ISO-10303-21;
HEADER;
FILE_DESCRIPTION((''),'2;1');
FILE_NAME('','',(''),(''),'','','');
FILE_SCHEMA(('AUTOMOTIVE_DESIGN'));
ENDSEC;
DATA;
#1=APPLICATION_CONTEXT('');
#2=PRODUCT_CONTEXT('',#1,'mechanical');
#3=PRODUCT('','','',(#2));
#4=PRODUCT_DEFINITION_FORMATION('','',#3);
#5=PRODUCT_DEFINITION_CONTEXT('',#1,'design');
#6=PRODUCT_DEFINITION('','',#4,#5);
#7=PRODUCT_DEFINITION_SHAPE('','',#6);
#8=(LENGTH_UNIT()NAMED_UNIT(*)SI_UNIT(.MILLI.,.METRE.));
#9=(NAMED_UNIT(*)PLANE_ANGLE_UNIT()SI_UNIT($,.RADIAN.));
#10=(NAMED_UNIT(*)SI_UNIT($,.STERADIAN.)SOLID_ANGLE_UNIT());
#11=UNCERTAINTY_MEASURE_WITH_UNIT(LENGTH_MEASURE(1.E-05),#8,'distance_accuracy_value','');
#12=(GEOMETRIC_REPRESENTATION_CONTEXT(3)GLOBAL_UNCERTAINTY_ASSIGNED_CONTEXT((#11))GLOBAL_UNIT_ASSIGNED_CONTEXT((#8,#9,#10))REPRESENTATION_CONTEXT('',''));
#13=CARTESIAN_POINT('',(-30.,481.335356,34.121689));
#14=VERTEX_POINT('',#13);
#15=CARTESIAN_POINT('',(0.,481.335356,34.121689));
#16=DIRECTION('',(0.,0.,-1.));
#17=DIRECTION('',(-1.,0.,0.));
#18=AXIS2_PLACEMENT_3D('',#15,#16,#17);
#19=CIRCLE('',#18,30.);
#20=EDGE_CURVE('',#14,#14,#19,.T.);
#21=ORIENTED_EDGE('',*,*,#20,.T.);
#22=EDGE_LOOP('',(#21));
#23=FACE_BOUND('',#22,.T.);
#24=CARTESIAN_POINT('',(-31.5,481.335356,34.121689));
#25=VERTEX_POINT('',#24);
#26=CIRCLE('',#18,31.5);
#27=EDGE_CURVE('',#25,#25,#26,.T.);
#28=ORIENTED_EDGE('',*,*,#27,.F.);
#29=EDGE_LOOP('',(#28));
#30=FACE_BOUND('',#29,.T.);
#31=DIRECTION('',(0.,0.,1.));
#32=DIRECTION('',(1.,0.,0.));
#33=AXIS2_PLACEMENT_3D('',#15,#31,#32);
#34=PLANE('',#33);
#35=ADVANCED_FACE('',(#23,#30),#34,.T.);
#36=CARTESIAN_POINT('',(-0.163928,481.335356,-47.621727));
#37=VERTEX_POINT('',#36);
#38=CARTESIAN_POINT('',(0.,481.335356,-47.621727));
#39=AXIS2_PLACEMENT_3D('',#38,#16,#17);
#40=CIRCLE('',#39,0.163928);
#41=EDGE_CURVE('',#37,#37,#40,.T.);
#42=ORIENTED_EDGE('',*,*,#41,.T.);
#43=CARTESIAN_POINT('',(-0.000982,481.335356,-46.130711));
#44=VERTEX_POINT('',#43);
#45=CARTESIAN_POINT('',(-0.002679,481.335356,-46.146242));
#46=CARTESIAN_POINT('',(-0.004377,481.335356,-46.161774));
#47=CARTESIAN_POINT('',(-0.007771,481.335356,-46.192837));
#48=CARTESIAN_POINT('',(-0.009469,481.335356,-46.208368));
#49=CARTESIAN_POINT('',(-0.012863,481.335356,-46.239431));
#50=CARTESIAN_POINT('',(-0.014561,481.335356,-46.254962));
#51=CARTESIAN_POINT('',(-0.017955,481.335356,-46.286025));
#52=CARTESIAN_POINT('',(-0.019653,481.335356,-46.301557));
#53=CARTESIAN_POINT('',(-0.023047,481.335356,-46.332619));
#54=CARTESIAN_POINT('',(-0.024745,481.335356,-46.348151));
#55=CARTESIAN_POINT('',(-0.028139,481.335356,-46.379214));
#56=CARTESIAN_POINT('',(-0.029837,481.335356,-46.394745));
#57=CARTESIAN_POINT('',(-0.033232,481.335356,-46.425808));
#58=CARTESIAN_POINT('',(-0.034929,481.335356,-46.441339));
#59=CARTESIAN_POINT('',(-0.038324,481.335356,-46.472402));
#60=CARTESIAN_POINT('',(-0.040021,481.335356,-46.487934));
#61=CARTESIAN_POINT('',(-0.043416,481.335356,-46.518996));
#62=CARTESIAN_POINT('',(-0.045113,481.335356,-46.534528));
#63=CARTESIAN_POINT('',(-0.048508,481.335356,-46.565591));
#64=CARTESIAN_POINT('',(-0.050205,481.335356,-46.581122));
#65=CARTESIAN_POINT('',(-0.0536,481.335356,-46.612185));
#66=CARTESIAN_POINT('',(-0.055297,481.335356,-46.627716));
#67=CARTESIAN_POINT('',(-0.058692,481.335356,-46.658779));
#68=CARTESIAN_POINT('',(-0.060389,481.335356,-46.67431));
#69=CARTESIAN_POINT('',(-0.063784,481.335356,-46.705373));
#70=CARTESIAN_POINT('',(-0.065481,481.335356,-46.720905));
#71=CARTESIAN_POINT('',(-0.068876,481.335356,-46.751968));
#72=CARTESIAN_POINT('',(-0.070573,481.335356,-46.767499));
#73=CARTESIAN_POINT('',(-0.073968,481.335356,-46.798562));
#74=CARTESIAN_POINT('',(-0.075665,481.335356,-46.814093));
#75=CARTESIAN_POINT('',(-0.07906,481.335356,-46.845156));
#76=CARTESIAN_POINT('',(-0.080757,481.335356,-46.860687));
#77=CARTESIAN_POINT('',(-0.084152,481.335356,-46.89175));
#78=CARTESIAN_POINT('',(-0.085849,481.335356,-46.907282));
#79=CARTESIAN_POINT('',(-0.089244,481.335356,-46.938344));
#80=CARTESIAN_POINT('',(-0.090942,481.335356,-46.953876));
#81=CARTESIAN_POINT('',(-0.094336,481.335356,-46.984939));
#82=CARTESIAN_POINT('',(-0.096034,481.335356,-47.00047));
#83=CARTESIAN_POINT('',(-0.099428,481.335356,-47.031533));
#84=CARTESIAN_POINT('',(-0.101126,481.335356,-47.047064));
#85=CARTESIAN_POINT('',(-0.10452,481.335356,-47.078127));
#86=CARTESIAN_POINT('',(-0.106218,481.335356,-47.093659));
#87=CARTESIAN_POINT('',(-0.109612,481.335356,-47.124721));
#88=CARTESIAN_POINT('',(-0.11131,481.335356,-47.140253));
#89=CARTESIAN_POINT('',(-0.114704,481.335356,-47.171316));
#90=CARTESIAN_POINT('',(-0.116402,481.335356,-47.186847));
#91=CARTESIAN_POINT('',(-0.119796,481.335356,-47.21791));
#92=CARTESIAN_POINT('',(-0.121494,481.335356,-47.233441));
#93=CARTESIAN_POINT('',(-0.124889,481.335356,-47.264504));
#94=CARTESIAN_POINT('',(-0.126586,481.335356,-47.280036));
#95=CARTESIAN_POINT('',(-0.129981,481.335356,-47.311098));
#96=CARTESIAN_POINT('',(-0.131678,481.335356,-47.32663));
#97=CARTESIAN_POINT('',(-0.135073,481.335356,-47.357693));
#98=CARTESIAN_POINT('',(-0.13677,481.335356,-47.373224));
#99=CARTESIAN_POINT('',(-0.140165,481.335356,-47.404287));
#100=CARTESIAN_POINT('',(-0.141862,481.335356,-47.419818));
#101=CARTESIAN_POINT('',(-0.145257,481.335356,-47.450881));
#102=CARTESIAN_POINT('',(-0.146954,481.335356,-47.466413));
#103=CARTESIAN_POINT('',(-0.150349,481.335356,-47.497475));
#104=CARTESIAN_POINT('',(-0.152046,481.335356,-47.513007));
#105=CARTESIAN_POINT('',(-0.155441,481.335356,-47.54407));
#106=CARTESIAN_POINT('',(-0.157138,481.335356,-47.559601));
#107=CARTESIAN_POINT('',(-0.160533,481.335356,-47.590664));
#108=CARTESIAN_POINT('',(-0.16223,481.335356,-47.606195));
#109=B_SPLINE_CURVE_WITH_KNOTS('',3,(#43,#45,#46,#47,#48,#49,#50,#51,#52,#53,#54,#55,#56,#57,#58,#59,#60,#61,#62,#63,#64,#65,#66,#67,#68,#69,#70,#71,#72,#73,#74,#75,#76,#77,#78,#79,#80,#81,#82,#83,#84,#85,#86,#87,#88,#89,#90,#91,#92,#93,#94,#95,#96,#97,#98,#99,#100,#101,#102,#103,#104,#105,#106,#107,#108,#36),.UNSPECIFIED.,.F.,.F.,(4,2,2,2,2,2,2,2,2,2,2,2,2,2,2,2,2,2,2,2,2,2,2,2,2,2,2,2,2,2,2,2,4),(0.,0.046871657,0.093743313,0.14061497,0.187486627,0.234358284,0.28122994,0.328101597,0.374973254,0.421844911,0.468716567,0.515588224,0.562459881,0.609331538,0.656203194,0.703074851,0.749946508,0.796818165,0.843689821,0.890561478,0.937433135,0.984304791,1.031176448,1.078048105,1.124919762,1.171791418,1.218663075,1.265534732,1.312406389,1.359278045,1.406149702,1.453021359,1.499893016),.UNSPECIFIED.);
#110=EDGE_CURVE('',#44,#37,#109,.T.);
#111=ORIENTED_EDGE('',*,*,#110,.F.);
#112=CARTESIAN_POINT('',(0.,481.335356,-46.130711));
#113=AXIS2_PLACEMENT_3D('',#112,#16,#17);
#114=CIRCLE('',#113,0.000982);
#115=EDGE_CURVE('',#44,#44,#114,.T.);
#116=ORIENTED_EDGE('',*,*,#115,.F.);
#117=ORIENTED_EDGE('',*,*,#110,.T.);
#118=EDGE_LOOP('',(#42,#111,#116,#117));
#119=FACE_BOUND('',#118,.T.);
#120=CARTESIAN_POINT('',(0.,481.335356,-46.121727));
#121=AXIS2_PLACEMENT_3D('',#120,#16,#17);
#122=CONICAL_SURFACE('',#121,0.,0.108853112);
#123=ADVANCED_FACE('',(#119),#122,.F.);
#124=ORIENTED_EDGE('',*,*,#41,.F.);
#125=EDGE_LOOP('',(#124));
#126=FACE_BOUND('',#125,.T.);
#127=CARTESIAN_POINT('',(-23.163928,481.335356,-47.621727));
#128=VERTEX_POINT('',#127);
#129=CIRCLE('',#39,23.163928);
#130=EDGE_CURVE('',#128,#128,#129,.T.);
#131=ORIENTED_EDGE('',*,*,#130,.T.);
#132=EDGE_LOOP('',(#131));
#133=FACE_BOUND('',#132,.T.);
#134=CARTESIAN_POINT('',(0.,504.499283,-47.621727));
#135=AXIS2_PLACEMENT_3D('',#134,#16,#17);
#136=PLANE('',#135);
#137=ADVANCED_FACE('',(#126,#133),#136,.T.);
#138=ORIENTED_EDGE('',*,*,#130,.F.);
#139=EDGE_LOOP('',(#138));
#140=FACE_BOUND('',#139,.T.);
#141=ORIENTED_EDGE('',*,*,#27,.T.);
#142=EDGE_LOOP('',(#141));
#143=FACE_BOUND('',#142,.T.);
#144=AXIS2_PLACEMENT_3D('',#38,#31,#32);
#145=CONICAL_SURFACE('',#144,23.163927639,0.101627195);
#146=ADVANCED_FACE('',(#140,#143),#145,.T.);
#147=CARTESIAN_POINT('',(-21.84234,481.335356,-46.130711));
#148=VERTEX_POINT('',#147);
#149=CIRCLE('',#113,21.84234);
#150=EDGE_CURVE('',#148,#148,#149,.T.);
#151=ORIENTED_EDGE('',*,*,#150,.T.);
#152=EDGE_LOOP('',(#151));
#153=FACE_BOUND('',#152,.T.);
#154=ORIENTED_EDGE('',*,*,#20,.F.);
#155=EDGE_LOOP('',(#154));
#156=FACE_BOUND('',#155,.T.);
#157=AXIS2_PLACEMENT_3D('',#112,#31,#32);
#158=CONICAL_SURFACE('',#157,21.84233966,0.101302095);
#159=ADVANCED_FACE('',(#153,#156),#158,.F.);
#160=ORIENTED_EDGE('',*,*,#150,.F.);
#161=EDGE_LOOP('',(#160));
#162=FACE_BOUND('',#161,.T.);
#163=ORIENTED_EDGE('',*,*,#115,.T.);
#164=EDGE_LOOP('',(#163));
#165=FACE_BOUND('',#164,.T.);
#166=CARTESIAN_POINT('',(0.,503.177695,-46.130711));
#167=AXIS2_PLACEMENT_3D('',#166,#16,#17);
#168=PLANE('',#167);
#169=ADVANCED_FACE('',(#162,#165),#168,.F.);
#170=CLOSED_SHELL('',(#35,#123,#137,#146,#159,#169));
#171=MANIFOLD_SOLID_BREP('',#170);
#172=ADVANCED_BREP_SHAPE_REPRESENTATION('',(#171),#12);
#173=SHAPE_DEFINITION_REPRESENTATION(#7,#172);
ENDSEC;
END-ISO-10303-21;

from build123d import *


with BuildPart() as part:
    # Sketch2 → Revolve1 (revolve)
    with BuildSketch(Plane(origin=(0, 0, 0), x_dir=(0, 0, -1), z_dir=(1, 0, 0)), mode=Mode.PRIVATE) as revolve1_sk:
        Polygon((-33.878273333, 481.335355706), (-34.121689051, 481.335355706), (-34.121689051, 512.835355706), (47.621726667, 504.499283346), (47.621726667, 481.499283346), (46.121726667, 481.335355706), align=None)
    revolve(revolve1_sk.sketch.rotate(Axis((0, 481.335355706, -46.121726667), (0, 0, 1)), 90), axis=Axis((0, 481.335355706, -46.121726667), (0, 0, 1)))

    # Sketch3 → Cut-Revolve1 (revolve, cut)
    with BuildSketch(Plane(origin=(0, 0, 0), x_dir=(0, 0, -1), z_dir=(1, 0, 0)), mode=Mode.PRIVATE) as cut_revolve1_sk:
        Polygon((-34.121689051, 511.335355706), (46.130710997, 503.177695366), (46.130710997, 481.335355706), (-34.121689051, 481.335355706), align=None)
    revolve(cut_revolve1_sk.sketch.rotate(Axis((0, 481.335355706, -46.121726667), (0, 0, 1)), 90), axis=Axis((0, 481.335355706, -46.121726667), (0, 0, 1)), mode=Mode.SUBTRACT)


solid = part.part
